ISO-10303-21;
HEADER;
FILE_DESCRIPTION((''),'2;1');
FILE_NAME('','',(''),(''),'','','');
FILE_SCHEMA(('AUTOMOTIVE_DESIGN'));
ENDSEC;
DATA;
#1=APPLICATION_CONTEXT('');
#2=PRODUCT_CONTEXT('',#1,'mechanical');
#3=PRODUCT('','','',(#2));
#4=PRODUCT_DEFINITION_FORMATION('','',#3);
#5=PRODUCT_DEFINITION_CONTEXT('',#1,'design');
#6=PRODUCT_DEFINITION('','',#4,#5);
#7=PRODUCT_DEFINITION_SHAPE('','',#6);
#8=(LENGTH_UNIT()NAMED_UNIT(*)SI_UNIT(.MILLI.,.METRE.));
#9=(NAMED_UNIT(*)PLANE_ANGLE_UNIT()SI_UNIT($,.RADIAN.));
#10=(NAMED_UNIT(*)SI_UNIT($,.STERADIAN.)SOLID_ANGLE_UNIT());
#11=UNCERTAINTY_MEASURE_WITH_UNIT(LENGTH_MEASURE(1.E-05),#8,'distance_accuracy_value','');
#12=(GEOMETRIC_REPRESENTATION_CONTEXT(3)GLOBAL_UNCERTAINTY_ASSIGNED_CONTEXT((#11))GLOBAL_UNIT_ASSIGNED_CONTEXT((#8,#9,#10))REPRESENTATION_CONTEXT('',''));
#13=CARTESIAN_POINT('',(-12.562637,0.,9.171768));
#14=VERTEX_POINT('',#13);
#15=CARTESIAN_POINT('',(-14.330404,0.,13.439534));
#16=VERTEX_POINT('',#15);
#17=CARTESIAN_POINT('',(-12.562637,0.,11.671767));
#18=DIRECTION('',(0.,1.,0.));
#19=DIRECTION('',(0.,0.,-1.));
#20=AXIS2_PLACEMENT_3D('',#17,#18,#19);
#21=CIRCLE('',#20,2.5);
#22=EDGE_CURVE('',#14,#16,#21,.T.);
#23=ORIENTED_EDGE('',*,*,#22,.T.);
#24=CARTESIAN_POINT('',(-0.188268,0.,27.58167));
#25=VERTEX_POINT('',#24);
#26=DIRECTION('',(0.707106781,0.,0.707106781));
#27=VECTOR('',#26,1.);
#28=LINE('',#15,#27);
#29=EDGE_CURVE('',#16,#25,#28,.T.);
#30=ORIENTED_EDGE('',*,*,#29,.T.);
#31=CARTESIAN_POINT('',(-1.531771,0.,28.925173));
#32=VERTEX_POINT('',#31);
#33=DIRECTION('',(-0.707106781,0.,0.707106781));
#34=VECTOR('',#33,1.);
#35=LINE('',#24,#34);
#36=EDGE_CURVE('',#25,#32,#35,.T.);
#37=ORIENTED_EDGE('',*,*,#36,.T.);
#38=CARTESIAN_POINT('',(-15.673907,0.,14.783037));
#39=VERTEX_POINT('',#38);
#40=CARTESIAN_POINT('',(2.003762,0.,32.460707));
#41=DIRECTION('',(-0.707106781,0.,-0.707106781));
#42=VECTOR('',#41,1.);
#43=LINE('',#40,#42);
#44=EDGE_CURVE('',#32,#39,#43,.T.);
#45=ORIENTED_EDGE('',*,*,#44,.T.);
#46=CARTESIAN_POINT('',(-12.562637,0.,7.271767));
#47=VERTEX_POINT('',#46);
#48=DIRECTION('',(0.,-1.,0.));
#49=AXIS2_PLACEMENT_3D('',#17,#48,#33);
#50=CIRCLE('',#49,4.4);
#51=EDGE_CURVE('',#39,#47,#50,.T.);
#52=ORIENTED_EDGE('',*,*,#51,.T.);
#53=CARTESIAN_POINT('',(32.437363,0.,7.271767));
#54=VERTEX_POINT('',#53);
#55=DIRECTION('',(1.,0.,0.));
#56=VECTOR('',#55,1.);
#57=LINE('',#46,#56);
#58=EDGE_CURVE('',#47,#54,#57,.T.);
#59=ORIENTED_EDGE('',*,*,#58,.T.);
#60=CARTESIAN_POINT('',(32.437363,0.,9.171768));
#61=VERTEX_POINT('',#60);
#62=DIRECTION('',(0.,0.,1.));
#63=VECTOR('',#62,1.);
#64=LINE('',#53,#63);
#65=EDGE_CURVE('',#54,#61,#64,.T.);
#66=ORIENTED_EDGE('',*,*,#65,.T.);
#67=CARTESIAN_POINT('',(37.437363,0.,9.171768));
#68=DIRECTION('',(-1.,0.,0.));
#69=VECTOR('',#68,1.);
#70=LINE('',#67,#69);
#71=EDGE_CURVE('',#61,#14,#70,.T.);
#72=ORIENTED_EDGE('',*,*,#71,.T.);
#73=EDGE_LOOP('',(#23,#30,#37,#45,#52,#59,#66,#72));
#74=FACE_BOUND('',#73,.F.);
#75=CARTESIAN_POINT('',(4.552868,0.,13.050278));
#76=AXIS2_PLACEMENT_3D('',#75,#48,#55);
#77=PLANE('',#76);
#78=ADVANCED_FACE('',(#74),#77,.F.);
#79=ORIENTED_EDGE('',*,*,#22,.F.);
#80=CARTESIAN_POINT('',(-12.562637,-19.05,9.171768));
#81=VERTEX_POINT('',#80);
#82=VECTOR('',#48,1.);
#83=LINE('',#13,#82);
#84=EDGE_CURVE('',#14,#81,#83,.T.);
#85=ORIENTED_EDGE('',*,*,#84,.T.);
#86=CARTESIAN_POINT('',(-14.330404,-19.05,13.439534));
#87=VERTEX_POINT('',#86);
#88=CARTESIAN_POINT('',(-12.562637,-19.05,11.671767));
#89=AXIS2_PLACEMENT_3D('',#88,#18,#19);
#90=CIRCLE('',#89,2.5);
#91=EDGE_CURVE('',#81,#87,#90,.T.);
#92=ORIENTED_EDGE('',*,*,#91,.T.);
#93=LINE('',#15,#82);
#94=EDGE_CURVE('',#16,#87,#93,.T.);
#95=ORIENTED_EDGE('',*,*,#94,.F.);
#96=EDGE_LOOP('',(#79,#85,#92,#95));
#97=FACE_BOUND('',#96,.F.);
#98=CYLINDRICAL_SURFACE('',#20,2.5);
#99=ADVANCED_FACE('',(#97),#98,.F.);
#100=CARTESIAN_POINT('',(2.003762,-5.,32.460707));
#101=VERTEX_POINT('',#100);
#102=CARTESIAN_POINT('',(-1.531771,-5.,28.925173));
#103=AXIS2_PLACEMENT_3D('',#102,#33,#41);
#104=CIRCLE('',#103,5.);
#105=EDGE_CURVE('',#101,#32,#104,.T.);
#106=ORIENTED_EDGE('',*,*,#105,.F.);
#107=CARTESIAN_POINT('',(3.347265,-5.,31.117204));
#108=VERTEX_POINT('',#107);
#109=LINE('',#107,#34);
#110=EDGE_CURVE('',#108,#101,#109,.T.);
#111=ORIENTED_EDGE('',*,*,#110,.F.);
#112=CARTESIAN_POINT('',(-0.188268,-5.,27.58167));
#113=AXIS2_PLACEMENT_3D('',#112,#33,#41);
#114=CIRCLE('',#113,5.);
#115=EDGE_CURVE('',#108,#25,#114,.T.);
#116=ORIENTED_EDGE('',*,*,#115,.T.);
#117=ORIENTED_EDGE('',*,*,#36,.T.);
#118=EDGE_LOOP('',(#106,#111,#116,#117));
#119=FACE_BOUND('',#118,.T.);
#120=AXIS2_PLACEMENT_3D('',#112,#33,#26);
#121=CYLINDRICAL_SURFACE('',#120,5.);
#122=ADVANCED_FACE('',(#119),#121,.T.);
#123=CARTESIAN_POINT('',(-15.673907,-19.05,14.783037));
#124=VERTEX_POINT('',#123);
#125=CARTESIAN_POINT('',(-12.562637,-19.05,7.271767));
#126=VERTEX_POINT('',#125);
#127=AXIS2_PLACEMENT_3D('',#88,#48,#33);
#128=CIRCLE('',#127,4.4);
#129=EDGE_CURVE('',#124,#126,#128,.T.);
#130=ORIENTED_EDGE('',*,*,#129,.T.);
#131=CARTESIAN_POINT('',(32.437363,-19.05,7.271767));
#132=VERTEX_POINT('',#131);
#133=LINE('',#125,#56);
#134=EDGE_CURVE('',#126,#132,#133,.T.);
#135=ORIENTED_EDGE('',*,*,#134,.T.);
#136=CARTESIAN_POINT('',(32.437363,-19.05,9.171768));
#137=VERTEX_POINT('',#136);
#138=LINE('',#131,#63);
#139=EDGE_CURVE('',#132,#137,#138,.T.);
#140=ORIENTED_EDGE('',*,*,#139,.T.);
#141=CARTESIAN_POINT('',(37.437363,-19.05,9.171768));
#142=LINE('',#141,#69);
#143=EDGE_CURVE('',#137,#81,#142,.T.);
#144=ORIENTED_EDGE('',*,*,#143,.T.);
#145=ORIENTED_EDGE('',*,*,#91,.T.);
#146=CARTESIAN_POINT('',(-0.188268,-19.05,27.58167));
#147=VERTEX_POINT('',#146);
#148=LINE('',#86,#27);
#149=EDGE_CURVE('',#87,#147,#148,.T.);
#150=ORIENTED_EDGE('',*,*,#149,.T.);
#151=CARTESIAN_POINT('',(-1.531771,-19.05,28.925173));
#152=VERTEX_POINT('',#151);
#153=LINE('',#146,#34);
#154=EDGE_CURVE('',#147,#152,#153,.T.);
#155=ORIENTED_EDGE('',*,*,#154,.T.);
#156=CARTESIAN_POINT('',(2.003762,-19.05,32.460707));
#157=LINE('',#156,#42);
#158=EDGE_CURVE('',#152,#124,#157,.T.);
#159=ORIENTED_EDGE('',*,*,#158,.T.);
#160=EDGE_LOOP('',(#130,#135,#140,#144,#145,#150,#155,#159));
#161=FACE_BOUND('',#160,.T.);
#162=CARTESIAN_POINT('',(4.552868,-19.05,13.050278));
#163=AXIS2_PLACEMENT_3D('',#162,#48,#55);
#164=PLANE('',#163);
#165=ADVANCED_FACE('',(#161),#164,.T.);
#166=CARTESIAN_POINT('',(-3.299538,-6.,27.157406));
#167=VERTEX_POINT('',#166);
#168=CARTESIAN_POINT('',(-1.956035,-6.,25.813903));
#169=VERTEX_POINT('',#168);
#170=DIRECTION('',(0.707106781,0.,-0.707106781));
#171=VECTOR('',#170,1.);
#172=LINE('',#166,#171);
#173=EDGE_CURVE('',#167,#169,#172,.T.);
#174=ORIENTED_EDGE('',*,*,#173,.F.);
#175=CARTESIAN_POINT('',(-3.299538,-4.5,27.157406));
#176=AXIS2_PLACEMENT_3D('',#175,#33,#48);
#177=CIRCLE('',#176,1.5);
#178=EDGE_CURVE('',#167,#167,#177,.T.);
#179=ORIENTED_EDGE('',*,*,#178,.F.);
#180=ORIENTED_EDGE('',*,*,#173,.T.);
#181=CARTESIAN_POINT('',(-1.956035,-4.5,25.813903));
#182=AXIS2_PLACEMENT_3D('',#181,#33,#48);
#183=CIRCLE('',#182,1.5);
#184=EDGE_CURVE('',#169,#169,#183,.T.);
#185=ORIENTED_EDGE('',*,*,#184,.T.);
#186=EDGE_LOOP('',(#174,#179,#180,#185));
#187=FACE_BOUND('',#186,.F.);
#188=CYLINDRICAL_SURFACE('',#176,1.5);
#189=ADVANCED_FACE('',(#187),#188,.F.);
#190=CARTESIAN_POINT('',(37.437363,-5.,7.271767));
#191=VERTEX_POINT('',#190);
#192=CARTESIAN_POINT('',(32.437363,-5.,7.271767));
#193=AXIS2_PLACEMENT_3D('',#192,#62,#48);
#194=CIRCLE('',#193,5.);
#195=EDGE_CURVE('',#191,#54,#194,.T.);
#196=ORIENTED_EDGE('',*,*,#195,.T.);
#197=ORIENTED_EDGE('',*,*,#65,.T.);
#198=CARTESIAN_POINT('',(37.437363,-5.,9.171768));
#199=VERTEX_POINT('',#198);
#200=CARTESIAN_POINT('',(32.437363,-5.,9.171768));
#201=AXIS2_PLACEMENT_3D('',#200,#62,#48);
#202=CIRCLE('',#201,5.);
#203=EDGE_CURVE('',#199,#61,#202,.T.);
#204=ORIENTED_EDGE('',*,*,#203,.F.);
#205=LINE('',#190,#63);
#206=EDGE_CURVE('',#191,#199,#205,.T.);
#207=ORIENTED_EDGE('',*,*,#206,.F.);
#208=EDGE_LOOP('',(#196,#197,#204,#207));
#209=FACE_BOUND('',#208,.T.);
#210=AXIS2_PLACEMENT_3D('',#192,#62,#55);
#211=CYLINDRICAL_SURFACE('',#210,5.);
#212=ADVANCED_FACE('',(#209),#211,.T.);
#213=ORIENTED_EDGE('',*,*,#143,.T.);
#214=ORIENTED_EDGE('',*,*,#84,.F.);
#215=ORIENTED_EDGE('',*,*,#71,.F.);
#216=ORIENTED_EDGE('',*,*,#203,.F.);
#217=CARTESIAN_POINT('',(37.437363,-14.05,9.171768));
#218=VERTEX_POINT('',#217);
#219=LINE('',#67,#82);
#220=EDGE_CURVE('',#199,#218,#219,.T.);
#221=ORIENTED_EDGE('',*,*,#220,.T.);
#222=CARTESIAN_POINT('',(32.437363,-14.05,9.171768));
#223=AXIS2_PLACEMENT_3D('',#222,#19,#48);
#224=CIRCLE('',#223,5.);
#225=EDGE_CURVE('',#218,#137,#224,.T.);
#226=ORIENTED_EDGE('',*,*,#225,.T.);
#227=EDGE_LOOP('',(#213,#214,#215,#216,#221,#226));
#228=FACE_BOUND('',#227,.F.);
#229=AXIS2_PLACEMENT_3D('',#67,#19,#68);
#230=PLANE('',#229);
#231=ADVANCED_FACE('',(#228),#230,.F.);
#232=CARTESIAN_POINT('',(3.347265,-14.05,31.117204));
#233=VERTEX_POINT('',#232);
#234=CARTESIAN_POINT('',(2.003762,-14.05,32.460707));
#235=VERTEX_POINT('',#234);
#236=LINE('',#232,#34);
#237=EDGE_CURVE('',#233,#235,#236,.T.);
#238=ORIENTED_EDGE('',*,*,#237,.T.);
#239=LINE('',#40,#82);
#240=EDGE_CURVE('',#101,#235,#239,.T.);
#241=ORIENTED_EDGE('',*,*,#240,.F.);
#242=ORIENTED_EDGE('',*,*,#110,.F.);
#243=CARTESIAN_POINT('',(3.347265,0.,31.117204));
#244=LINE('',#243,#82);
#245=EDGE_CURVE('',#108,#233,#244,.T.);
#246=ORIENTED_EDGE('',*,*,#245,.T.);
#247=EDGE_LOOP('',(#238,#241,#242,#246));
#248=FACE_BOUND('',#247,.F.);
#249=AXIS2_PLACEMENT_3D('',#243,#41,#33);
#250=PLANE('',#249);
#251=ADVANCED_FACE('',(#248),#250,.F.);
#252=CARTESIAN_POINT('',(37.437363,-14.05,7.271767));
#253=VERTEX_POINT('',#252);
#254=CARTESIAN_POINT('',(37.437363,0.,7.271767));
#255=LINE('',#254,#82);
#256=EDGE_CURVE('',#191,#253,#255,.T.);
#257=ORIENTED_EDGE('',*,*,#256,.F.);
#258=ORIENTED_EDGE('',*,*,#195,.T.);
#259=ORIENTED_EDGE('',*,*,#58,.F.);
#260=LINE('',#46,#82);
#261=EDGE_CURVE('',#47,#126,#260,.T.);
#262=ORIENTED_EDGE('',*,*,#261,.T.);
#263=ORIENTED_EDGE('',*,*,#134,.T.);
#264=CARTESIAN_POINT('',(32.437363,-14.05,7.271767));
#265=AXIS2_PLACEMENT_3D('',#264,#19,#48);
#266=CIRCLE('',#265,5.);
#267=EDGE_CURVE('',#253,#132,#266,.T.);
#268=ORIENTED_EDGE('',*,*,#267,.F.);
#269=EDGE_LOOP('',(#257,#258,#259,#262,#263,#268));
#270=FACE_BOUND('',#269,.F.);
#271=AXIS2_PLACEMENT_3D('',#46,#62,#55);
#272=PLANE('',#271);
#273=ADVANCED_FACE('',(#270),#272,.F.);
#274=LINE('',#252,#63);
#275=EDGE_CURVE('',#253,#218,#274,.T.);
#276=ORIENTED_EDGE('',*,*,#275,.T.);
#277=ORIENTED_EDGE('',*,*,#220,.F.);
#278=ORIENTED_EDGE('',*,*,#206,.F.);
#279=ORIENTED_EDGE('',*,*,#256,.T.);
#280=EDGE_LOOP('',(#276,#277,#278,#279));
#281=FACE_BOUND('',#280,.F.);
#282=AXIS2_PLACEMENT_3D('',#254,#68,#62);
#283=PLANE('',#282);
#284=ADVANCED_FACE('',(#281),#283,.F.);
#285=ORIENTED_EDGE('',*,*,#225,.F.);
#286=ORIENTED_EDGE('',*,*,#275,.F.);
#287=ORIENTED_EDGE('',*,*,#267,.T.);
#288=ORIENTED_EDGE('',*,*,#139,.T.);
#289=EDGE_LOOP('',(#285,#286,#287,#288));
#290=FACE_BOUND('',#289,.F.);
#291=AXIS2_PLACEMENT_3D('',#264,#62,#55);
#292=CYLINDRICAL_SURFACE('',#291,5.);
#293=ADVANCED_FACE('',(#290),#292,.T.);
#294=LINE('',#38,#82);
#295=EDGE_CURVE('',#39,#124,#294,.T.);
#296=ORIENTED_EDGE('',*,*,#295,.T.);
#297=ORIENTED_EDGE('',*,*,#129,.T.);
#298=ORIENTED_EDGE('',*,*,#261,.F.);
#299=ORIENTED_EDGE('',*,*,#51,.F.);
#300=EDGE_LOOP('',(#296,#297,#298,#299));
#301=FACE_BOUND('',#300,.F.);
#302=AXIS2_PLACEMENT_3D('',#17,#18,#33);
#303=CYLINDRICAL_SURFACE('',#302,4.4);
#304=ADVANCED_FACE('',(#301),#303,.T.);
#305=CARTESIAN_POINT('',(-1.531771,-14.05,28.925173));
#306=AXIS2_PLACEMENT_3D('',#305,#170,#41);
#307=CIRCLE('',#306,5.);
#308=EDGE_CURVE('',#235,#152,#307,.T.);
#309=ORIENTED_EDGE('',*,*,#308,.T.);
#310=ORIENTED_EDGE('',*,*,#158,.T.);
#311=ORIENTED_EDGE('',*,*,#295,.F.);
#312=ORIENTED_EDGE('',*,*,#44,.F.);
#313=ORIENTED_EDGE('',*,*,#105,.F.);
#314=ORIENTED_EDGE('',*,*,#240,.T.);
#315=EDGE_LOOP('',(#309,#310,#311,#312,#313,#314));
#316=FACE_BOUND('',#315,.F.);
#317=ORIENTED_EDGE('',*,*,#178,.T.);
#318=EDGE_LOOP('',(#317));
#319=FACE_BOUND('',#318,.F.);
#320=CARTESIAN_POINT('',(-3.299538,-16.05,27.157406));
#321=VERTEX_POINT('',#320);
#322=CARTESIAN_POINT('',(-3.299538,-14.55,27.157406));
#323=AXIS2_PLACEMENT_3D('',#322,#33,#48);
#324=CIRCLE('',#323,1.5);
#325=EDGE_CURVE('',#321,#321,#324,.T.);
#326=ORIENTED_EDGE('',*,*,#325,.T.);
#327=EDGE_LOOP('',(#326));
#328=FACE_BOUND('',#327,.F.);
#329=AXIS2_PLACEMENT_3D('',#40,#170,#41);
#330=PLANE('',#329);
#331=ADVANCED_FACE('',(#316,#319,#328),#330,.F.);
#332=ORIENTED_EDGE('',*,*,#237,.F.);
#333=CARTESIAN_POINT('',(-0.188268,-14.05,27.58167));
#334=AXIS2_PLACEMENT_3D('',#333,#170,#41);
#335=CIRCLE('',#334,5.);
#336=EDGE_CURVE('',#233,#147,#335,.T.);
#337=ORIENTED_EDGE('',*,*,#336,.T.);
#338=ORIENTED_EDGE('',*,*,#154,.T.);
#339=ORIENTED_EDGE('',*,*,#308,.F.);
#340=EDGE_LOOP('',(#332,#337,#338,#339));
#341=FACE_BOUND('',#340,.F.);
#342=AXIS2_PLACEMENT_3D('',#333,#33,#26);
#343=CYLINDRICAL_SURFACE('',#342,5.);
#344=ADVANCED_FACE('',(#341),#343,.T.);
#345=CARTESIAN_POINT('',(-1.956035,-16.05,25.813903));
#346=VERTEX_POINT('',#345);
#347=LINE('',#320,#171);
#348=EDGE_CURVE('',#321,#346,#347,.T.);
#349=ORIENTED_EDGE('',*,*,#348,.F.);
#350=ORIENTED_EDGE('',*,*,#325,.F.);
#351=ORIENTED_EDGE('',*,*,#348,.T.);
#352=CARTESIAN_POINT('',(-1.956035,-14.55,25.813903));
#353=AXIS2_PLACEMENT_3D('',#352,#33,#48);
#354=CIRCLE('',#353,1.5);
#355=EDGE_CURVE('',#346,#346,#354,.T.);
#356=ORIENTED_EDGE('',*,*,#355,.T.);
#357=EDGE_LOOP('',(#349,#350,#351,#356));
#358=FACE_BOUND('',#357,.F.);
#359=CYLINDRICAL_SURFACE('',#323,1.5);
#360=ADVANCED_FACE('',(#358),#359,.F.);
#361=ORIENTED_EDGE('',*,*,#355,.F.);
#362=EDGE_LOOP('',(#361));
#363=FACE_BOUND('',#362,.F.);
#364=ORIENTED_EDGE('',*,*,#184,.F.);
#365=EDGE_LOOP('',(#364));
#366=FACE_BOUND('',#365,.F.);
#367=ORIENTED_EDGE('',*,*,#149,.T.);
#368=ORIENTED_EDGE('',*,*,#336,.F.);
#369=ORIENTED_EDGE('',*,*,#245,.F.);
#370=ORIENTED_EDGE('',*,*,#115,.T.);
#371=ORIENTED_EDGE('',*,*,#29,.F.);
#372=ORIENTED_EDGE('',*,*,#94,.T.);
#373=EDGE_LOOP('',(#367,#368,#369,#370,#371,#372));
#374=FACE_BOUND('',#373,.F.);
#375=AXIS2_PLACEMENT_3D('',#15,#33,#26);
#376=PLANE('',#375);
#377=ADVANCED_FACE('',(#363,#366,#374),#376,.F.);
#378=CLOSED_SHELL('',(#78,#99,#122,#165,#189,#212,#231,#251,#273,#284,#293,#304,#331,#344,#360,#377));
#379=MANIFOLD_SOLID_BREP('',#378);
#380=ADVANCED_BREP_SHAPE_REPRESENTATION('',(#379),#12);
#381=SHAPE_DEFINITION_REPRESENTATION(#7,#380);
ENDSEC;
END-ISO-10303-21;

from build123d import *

# Parameters (mm, degrees)
F1_DEPTH = 19.05
F2_R     = 5
F3_R     = 1.5
F4_DEPTH = 2.6


with BuildPart() as f1:
    # F0 (on Front) → F1 (new body)
    with BuildSketch(Plane.XZ):
        with BuildLine():
            Line((3.3472654321, 31.1172038595), (2.0037624331, 32.4607068585))
            Line((2.0037624331, 32.4607068585), (-15.6739070966, 14.7830373289))
            ThreePointArc((-15.6739070966, 14.7830373289), (-16.6277072024, 9.9879603892), (-12.5626372594, 7.2717674916))
            Line((-12.5626372594, 7.2717674916), (37.4373627406, 7.2717674916))
            Line((37.4373627406, 7.2717674916), (37.4373627406, 9.1717676539))
            Line((37.4373627406, 9.1717676539), (-12.5626372594, 9.1717676539))
            ThreePointArc((-12.5626372594, 9.1717676539), (-14.8723359407, 10.7150589728), (-14.3304040976, 13.4395343299))
            Line((-14.3304040976, 13.4395343299), (3.3472654321, 31.1172038595))
        make_face()
    extrude(amount=F1_DEPTH)

    # F2
    f2_edges = [f1.edges().sort_by_distance(p)[0] for p in [
        (37.437363, -19.05, 8.221768),
        (37.437363, 0, 8.221768),
        (2.675514, -19.05, 31.788955),
        (2.675514, 0, 31.788955),
    ]]
    fillet(f2_edges, radius=F2_R)

    # F3 (on face) → F4 (cut)
    with BuildSketch(Plane(origin=(-15.2284722127, 0, 15.2284722127), x_dir=(0, -1, 0), z_dir=(-0.7071067812, 0, 0.7071067812))):
        with Locations((4.5, 16.8700599461)):
            Circle(F3_R)
        with Locations((14.55, 16.8700599461)):
            Circle(F3_R)
    extrude(amount=-F4_DEPTH, mode=Mode.SUBTRACT)


solid = f1.part
